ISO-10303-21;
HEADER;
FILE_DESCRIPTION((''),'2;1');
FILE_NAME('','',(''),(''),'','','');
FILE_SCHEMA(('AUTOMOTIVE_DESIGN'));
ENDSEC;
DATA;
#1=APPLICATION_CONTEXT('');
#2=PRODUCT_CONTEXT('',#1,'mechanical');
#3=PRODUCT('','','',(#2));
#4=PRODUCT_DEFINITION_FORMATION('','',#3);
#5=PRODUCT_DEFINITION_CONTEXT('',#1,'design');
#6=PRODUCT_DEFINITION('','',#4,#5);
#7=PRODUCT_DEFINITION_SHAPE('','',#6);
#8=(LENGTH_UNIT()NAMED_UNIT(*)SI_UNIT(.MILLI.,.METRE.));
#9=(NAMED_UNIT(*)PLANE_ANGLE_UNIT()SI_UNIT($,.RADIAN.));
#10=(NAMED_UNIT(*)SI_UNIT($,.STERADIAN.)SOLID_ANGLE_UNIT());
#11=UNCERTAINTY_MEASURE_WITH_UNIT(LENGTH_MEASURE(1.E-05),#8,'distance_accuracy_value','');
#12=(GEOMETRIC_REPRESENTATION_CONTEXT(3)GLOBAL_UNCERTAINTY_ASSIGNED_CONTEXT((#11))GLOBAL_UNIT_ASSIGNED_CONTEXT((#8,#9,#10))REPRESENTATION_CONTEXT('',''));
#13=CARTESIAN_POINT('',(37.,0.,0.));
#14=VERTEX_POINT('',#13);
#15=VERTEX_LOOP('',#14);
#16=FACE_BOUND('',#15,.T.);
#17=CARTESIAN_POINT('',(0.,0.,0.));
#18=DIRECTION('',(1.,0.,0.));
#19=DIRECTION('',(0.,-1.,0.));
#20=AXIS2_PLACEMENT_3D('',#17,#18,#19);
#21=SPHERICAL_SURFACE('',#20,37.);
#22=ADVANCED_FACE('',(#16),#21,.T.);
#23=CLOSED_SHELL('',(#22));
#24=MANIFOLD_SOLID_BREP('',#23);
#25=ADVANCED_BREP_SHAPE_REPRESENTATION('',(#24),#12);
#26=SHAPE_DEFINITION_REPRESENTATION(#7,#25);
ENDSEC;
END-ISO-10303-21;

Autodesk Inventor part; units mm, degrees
ref_plane "YZ Plane" through (0, 0, 0) normal (1, 0, 0) x (0, 1, 0)
ref_plane "XZ Plane" through (0, 0, 0) normal (0, 1, 0) x (-1, 0, 0)
ref_plane "XY Plane" through (0, 0, 0) normal (0, 0, 1) x (1, 0, 0)
sketch "Skizze1" plane through (0, 0, 0) normal (0, 0, 1) x (1, 0, 0)
  circle A0 centre (0, 0) radius 37
  line L0 (37, 0) -> (-37, 0)
  line L1 (-51.8, 0) -> (51.8, 0) projected
  dimension "d0" = 74
  dimension "d1" = 74
revolve "Umdrehung1" add sketch "Skizze1" angle 360 about axis through (-10, 0, 0) along (1, 0, 0) picked at (-11.1119, -5.3512) contours A0 L0
properties part number "Ball"
